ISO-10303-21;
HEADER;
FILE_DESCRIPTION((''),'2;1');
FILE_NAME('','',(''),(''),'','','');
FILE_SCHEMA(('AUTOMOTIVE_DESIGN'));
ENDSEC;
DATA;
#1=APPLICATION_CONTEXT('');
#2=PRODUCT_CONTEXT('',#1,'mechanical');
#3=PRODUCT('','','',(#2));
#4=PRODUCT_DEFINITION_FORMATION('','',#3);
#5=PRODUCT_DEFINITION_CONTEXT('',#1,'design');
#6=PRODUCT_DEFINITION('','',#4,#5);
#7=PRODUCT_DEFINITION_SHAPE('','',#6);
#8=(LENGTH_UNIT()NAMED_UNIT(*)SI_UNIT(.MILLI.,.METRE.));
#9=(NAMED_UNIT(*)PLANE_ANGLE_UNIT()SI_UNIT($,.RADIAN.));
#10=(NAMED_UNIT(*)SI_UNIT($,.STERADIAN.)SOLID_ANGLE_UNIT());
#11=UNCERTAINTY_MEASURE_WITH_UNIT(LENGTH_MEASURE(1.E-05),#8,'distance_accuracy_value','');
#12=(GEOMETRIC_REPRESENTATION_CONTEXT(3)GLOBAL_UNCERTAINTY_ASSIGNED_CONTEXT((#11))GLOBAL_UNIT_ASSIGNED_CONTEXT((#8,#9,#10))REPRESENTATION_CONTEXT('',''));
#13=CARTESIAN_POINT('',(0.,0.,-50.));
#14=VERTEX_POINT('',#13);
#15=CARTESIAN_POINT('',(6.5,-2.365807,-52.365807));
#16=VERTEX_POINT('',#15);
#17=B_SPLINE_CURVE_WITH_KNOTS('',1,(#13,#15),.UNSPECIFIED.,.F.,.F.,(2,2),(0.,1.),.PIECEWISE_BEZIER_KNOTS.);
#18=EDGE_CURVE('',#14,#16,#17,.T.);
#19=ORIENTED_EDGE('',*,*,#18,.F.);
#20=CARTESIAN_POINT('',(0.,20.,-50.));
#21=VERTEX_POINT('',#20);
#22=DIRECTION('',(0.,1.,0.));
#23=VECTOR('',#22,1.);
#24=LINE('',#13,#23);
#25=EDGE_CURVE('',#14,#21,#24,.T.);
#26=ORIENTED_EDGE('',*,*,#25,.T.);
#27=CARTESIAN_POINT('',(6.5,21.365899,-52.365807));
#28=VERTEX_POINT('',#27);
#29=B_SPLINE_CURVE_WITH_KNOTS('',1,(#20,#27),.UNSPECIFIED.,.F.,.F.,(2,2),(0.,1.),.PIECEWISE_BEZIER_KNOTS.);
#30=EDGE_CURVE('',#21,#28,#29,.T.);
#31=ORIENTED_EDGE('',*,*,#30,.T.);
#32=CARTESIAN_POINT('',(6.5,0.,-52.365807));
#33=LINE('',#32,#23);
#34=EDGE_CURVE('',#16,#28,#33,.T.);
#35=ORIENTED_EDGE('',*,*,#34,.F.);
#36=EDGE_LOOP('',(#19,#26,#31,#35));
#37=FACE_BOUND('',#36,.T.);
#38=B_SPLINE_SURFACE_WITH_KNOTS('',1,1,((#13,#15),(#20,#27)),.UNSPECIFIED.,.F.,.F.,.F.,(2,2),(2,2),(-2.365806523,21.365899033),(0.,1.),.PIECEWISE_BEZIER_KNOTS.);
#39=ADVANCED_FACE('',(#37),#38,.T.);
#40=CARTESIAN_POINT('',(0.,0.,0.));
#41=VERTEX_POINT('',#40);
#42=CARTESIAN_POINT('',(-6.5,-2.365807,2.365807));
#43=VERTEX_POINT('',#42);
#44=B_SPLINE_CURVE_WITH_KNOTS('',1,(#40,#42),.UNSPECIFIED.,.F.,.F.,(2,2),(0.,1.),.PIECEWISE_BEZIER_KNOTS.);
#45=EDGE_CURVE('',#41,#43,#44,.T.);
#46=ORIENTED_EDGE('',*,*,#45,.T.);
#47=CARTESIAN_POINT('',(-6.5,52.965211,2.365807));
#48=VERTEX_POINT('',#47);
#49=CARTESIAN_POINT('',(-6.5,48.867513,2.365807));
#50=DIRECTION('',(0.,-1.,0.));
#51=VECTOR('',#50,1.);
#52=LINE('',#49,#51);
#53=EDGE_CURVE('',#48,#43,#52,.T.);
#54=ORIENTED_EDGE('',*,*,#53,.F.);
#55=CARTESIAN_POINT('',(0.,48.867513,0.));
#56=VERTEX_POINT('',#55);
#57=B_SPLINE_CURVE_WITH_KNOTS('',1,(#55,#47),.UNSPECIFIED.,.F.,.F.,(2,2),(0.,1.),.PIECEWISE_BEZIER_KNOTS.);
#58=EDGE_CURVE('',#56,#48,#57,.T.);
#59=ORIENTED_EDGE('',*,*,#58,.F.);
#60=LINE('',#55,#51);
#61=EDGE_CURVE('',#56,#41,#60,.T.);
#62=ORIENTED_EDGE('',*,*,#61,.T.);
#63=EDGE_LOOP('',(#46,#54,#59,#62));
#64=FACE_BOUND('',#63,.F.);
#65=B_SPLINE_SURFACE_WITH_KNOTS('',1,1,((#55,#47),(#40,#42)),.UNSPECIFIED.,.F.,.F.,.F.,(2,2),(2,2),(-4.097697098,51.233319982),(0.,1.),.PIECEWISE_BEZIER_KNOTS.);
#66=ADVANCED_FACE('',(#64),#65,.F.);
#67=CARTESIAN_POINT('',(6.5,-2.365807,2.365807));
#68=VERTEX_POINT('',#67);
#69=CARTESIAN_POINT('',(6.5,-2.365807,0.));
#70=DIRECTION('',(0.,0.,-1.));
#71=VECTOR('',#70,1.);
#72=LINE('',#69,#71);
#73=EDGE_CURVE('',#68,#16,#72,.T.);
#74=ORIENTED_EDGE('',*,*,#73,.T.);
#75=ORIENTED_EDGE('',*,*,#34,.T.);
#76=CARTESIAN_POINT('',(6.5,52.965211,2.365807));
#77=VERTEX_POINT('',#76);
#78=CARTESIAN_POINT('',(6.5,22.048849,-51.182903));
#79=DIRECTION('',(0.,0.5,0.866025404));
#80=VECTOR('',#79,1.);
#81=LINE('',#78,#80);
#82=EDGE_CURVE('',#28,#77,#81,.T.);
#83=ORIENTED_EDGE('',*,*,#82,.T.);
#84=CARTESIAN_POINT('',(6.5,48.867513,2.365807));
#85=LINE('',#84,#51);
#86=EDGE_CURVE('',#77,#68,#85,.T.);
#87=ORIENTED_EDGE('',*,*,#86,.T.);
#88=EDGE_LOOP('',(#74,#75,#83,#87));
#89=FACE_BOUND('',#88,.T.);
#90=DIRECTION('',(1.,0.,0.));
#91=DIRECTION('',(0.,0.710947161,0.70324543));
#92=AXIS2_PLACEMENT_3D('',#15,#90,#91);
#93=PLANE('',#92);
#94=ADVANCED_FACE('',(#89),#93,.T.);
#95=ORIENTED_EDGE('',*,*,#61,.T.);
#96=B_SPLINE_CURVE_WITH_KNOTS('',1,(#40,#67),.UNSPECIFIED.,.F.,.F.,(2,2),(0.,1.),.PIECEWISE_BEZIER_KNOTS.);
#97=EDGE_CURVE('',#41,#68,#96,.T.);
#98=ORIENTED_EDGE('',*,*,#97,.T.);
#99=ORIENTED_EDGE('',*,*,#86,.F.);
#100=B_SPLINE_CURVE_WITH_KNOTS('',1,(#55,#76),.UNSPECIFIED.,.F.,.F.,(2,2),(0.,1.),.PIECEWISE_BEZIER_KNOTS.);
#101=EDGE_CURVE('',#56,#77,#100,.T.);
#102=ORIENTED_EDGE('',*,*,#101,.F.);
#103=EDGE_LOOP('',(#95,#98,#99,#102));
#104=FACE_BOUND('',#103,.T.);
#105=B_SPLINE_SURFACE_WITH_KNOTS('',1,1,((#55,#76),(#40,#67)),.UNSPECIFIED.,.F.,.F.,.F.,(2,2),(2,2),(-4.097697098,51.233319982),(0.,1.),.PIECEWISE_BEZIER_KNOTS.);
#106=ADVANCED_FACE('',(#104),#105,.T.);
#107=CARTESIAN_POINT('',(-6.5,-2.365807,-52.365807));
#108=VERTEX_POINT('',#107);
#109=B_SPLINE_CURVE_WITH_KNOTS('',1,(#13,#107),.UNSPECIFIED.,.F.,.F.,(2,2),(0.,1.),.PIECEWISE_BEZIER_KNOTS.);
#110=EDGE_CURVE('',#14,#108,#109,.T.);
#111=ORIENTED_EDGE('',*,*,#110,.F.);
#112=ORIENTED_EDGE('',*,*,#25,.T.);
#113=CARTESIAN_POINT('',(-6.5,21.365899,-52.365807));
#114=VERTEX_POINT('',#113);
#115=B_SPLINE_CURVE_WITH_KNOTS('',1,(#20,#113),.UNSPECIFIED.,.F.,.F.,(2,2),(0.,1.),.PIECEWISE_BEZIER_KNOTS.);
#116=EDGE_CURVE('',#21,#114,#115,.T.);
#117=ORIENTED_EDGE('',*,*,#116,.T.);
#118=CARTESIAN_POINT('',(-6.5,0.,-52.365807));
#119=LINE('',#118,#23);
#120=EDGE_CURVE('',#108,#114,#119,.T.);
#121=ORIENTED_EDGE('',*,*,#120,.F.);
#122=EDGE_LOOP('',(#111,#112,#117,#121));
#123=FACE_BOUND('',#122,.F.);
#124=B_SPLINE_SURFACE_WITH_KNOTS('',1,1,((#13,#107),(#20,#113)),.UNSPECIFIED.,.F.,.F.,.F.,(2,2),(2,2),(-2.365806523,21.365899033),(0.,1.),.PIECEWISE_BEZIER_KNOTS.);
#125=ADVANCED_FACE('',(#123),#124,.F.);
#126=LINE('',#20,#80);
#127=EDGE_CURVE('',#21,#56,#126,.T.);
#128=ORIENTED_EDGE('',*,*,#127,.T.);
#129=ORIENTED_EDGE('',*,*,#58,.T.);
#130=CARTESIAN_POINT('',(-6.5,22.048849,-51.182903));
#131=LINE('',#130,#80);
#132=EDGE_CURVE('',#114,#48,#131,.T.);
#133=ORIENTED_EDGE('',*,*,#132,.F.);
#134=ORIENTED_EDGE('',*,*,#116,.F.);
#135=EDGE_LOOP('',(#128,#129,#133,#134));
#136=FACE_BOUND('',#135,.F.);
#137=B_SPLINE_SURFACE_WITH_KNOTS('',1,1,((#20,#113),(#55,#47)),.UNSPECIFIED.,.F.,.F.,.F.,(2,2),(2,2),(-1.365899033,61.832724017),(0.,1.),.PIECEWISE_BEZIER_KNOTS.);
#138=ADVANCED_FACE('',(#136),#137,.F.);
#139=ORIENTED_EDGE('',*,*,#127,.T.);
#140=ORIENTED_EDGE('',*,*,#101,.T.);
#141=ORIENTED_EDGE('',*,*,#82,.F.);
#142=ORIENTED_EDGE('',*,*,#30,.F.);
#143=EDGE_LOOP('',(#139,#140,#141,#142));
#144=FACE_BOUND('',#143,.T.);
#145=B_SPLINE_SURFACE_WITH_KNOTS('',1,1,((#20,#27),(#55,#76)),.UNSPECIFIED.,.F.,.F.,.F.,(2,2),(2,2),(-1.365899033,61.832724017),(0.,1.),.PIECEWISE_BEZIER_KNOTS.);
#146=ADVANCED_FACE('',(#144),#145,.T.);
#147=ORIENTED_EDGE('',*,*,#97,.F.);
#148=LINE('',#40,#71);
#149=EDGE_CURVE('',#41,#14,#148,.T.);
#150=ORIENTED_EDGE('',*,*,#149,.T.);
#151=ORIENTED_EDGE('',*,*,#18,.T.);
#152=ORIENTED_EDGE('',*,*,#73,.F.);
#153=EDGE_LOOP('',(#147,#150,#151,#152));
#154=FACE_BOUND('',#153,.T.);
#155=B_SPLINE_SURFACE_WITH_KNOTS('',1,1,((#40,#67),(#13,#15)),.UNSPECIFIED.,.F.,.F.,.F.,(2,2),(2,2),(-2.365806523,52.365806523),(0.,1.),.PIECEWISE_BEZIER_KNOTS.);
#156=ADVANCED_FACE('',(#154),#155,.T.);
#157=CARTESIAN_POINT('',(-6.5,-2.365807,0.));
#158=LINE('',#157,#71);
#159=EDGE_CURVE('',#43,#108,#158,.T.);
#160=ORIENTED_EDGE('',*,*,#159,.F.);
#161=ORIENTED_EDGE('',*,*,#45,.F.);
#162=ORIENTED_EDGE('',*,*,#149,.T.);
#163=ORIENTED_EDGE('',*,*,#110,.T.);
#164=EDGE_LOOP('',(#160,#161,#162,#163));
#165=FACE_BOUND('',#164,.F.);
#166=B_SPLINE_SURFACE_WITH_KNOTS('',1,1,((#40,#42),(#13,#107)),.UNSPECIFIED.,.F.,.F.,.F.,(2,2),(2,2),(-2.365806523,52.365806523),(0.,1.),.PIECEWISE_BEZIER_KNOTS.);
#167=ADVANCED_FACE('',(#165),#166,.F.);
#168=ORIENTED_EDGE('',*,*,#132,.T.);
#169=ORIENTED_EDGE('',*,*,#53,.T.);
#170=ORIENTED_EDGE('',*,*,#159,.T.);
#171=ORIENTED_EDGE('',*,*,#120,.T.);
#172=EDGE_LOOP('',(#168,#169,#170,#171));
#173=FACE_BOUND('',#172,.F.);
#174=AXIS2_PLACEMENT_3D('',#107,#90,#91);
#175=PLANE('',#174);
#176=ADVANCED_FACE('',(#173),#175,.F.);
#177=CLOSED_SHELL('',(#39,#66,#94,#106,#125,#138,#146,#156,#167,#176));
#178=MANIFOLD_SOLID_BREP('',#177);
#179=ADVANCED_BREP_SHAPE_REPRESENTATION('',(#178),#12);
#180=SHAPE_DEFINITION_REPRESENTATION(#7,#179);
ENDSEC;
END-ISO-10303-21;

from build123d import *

# Parameters (mm, degrees)
F1_DEPTH = 6.5
F1_TAPER = -20


with BuildPart() as f1:
    # F0 (on Right) → F1 (new body, symmetric)
    with BuildSketch(Plane.YZ):
        Polygon((0, -50), (20, -50), (48.8675134595, 0), (0, 0), align=None)
    extrude(amount=F1_DEPTH, both=True, taper=F1_TAPER)


solid = f1.part
